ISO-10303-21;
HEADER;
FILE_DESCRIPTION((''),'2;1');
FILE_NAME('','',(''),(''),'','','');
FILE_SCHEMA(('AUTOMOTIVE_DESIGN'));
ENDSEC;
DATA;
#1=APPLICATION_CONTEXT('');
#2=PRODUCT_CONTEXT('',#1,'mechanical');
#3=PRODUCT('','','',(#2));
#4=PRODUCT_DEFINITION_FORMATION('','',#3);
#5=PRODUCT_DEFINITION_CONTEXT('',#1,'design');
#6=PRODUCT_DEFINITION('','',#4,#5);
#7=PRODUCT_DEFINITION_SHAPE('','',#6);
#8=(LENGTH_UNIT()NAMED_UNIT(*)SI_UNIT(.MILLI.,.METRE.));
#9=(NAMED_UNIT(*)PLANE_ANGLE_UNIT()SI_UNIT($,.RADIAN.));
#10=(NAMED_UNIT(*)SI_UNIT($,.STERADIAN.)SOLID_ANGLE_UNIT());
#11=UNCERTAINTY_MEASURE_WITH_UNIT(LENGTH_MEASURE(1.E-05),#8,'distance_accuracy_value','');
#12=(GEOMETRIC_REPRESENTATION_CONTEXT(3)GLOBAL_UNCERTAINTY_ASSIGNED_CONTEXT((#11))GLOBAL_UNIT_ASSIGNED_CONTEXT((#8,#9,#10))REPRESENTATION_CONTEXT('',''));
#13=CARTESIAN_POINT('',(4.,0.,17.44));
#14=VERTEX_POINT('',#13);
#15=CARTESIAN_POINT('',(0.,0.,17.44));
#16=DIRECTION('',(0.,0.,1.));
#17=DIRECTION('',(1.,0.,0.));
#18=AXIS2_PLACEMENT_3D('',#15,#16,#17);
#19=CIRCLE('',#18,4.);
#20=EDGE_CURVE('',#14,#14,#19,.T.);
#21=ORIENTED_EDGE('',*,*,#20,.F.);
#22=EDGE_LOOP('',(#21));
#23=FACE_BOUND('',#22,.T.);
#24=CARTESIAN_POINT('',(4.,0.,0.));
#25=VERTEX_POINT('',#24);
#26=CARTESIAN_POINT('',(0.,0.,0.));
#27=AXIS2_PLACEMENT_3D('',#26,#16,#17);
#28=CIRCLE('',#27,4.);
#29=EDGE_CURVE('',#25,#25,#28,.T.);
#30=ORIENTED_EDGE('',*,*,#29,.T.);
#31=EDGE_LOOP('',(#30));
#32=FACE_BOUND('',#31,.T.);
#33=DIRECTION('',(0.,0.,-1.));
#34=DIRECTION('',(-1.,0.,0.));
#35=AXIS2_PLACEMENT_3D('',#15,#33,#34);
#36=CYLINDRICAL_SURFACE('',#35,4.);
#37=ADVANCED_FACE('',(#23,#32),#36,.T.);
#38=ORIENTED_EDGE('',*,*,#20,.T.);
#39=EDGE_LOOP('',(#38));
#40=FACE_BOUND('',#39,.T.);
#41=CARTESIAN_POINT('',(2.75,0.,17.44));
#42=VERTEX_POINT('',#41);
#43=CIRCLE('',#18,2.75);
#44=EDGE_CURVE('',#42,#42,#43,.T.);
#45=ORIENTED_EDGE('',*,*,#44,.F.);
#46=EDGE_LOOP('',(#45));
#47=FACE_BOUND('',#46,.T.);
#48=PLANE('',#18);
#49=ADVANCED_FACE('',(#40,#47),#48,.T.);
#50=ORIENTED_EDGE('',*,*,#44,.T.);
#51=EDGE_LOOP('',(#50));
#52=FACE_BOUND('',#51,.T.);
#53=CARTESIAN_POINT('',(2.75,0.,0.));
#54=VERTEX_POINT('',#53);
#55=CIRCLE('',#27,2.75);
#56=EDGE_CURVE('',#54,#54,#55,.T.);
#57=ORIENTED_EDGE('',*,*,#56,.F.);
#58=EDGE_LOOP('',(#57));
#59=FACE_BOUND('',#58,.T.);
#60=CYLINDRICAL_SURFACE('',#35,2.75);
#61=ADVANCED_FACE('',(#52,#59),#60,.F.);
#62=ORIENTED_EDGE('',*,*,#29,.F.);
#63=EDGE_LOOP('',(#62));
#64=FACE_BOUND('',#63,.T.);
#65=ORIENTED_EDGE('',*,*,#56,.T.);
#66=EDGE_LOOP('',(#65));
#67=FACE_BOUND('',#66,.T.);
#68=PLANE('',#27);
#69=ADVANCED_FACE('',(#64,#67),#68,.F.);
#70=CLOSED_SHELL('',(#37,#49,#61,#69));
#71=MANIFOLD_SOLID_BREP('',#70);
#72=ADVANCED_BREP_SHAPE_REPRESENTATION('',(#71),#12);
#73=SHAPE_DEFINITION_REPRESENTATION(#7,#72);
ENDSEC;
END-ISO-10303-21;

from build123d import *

# Parameters (mm, degrees)
SKETCH_1_R      = 4
SKETCH_1_R_2    = 2.75
EXTRUDE_1_DEPTH = 17.44


with BuildPart() as part:
    # ｽｹｯﾁ1 → ﾎﾞｽ - 押し出し1 (new body)
    with BuildSketch(Plane.XY):
        Circle(SKETCH_1_R)
        Circle(SKETCH_1_R_2, mode=Mode.SUBTRACT)
    extrude(amount=EXTRUDE_1_DEPTH)


solid = part.part
